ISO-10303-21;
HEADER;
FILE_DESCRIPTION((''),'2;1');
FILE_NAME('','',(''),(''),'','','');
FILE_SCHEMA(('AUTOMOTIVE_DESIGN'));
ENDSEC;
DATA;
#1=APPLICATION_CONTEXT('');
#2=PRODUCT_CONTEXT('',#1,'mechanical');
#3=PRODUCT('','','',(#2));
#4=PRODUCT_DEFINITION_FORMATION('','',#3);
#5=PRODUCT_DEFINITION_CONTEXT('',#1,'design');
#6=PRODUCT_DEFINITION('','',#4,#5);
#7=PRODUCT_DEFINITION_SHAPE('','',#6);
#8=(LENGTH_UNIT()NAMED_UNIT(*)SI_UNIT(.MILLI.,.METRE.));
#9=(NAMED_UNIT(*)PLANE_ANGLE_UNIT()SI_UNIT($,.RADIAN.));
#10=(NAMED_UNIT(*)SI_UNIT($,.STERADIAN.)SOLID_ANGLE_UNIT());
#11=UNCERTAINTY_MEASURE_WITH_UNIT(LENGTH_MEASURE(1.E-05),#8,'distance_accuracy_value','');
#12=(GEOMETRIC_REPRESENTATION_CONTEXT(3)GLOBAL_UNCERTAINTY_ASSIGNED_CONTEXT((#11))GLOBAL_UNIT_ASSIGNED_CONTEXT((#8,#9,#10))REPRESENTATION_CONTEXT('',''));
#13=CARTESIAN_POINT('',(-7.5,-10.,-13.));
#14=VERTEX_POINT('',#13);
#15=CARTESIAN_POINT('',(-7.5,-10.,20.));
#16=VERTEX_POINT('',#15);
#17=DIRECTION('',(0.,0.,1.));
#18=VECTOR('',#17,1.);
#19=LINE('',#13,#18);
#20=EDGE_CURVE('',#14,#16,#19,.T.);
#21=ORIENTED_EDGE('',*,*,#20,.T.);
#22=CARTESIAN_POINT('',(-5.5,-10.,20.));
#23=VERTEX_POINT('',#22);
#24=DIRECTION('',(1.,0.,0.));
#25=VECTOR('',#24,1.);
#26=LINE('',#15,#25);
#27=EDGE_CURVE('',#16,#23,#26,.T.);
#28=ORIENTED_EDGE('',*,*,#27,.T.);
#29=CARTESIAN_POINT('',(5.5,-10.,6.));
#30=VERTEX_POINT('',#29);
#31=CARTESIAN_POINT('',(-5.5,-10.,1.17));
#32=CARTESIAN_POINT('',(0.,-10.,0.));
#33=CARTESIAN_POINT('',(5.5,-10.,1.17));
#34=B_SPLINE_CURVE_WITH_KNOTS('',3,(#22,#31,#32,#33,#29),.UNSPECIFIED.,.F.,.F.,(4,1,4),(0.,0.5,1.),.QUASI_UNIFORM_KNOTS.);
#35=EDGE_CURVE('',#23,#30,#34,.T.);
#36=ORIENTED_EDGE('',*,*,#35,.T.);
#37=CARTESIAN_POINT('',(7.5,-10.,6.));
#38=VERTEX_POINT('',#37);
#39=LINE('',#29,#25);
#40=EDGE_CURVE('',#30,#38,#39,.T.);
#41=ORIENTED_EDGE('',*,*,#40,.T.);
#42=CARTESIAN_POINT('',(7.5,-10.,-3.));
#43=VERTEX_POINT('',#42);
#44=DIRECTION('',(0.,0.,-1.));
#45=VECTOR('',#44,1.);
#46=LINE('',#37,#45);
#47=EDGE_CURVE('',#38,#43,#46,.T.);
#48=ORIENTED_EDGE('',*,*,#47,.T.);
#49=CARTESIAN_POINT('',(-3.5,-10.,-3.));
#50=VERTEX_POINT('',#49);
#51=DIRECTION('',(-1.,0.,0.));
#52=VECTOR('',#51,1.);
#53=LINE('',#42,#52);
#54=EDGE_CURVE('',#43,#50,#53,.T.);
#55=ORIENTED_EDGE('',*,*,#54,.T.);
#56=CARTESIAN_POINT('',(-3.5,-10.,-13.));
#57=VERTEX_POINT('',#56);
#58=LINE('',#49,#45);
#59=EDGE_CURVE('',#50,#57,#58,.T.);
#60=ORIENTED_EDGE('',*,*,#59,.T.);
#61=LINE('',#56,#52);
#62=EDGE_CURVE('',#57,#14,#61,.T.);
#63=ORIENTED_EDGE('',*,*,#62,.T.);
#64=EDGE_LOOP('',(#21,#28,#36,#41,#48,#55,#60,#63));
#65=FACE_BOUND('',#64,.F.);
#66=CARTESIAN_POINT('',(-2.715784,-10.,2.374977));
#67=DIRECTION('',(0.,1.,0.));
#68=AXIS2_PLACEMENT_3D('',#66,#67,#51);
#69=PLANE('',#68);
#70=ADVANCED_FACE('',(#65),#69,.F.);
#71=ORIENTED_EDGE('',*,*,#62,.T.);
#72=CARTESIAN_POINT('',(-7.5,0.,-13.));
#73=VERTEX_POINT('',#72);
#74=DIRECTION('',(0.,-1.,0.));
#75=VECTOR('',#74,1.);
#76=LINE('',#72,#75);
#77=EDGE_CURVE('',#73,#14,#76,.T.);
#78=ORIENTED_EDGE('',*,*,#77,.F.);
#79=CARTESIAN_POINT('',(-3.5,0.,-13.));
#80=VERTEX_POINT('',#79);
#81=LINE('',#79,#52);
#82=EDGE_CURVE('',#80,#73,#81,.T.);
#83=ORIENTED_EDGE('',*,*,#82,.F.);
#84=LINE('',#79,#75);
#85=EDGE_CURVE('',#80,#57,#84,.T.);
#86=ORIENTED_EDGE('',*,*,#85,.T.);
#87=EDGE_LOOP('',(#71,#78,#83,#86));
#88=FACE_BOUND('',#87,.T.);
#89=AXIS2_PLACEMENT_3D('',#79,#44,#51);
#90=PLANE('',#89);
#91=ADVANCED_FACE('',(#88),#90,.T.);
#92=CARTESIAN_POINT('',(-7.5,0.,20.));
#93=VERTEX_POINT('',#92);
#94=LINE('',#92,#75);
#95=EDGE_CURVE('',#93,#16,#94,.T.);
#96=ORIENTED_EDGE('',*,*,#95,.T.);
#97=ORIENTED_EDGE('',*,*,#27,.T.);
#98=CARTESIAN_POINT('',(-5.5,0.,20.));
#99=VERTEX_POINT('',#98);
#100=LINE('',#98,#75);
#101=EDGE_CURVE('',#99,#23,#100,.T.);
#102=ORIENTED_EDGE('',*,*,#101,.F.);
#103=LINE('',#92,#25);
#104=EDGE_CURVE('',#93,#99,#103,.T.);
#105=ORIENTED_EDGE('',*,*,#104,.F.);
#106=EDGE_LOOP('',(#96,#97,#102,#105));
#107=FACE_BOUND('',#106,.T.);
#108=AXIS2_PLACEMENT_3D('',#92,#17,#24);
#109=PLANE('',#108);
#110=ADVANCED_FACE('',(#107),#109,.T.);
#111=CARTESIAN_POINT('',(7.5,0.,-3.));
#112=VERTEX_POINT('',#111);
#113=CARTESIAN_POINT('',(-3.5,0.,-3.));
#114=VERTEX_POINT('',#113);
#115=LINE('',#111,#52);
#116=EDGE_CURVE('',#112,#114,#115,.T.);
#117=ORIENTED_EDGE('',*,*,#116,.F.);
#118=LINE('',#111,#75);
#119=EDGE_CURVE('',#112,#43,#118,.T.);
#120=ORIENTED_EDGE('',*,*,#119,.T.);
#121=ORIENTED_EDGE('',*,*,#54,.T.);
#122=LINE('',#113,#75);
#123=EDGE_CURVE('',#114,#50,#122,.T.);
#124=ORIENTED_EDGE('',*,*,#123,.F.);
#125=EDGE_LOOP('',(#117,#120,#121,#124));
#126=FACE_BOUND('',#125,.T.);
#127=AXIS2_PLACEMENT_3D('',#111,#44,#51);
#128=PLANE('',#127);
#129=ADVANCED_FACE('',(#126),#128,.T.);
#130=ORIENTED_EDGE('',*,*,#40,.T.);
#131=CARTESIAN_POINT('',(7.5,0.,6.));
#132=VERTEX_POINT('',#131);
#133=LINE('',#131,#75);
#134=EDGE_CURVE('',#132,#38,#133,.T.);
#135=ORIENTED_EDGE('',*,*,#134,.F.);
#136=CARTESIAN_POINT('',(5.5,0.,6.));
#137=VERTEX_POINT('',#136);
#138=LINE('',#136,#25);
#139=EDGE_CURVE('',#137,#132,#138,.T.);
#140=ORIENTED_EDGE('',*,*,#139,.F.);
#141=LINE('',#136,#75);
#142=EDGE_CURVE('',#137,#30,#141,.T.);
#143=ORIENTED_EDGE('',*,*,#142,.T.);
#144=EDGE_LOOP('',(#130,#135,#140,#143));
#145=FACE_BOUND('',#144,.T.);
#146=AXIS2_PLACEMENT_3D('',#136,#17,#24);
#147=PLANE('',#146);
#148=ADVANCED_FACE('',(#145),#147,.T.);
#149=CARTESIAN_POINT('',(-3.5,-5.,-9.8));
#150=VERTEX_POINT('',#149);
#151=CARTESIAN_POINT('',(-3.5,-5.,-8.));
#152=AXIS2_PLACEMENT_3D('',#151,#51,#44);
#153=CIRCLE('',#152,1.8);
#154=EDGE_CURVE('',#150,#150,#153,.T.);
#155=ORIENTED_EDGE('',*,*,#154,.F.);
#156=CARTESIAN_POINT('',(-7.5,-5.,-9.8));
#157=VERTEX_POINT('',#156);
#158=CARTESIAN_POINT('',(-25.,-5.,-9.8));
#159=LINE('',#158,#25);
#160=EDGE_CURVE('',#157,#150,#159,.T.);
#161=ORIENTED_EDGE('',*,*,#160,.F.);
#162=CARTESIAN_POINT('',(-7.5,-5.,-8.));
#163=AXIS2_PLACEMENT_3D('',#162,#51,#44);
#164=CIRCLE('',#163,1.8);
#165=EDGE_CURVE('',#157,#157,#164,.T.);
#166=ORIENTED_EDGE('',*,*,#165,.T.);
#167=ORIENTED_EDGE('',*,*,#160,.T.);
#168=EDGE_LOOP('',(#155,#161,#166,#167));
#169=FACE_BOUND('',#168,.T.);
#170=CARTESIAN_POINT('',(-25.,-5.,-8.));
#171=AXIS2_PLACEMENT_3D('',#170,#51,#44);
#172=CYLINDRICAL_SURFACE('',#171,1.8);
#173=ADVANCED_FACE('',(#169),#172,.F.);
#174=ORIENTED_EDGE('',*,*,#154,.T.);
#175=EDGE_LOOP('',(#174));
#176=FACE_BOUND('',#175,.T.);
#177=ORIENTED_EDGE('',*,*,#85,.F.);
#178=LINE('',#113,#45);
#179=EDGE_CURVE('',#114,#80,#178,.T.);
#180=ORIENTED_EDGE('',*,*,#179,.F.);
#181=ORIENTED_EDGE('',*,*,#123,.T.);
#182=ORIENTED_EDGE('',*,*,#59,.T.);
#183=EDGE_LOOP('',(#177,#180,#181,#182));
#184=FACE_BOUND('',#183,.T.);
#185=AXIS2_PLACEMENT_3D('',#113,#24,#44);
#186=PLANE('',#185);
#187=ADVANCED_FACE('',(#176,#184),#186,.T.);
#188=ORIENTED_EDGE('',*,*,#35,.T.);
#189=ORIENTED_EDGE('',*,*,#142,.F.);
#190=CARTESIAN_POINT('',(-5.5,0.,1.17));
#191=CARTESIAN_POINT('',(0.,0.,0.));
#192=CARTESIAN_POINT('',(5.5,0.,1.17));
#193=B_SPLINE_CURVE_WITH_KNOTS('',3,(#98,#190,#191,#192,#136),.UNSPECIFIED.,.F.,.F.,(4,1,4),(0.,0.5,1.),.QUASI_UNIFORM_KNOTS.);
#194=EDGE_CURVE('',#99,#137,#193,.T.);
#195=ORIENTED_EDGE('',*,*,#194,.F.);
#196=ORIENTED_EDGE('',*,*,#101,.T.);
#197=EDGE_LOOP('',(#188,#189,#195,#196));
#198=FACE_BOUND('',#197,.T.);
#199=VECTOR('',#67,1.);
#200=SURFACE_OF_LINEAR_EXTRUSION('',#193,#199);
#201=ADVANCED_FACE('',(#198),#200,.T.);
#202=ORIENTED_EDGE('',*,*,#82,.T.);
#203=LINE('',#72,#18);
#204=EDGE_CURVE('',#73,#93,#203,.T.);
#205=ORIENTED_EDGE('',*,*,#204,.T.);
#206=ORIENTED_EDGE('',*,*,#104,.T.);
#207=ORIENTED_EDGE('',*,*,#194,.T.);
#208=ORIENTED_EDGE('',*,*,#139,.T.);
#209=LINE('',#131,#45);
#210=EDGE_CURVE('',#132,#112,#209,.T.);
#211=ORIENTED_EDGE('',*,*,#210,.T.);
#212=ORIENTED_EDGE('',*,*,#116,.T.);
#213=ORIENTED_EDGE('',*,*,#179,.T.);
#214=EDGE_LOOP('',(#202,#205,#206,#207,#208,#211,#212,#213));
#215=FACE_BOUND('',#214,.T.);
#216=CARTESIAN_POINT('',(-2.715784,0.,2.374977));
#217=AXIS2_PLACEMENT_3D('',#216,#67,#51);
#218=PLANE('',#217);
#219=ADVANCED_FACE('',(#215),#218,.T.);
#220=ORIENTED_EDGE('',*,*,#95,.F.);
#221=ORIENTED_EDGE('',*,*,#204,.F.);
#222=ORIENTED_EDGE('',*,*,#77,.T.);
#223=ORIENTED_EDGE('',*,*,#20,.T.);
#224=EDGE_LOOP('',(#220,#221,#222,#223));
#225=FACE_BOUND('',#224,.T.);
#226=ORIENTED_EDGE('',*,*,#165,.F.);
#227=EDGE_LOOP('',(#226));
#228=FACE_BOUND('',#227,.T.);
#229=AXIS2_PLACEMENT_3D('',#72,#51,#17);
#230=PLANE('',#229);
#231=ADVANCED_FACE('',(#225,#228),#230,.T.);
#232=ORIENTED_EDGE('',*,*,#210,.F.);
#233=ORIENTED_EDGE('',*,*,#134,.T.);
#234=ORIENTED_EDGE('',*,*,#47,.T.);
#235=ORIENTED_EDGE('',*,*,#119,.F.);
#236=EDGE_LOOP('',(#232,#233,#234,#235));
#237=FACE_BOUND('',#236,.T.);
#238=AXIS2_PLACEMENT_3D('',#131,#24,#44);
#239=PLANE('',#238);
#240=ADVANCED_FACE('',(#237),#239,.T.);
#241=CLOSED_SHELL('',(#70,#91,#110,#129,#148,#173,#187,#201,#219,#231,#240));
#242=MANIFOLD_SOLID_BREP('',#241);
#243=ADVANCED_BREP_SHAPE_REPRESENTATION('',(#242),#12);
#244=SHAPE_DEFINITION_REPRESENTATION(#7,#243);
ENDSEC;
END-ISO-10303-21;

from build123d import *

# Parameters (mm, degrees)
CYLINDER_R     = 1.8
CYLINDER_DEPTH = 40
PAD_DEPTH      = 10


with BuildPart() as hole:
    # Cylinder → Cylinder (new body)
    with BuildSketch(Plane(origin=(-25, -5, -8), x_dir=(0, 0, -1), z_dir=(1, 0, 0))):
        Circle(CYLINDER_R)
    extrude(amount=CYLINDER_DEPTH)


with BuildPart() as cut:
    # Sketch → Pad (new body)
    with BuildSketch(Plane.XZ):
        with BuildLine():
            Line((-7.5, -13), (-7.5, 20))
            Line((-7.5, 20), (-5.5, 20))
            add(Edge.make_bspline(
                [(-5.5, 20), (-5.5, 1.17), (0, 0), (5.5, 1.17), (5.5, 6)],
                knots=[0, 0, 0, 0, 0.5, 1, 1, 1, 1], degree=3))
            Line((5.5, 6), (7.5, 6))
            Line((7.5, 6), (7.5, -3))
            Line((7.5, -3), (-3.5, -3))
            Line((-3.5, -3), (-3.5, -13))
            Line((-3.5, -13), (-7.5, -13))
        make_face()
    extrude(amount=PAD_DEPTH)

    # Cut: cut hole
    add(hole.part, mode=Mode.SUBTRACT)


solid = cut.part
